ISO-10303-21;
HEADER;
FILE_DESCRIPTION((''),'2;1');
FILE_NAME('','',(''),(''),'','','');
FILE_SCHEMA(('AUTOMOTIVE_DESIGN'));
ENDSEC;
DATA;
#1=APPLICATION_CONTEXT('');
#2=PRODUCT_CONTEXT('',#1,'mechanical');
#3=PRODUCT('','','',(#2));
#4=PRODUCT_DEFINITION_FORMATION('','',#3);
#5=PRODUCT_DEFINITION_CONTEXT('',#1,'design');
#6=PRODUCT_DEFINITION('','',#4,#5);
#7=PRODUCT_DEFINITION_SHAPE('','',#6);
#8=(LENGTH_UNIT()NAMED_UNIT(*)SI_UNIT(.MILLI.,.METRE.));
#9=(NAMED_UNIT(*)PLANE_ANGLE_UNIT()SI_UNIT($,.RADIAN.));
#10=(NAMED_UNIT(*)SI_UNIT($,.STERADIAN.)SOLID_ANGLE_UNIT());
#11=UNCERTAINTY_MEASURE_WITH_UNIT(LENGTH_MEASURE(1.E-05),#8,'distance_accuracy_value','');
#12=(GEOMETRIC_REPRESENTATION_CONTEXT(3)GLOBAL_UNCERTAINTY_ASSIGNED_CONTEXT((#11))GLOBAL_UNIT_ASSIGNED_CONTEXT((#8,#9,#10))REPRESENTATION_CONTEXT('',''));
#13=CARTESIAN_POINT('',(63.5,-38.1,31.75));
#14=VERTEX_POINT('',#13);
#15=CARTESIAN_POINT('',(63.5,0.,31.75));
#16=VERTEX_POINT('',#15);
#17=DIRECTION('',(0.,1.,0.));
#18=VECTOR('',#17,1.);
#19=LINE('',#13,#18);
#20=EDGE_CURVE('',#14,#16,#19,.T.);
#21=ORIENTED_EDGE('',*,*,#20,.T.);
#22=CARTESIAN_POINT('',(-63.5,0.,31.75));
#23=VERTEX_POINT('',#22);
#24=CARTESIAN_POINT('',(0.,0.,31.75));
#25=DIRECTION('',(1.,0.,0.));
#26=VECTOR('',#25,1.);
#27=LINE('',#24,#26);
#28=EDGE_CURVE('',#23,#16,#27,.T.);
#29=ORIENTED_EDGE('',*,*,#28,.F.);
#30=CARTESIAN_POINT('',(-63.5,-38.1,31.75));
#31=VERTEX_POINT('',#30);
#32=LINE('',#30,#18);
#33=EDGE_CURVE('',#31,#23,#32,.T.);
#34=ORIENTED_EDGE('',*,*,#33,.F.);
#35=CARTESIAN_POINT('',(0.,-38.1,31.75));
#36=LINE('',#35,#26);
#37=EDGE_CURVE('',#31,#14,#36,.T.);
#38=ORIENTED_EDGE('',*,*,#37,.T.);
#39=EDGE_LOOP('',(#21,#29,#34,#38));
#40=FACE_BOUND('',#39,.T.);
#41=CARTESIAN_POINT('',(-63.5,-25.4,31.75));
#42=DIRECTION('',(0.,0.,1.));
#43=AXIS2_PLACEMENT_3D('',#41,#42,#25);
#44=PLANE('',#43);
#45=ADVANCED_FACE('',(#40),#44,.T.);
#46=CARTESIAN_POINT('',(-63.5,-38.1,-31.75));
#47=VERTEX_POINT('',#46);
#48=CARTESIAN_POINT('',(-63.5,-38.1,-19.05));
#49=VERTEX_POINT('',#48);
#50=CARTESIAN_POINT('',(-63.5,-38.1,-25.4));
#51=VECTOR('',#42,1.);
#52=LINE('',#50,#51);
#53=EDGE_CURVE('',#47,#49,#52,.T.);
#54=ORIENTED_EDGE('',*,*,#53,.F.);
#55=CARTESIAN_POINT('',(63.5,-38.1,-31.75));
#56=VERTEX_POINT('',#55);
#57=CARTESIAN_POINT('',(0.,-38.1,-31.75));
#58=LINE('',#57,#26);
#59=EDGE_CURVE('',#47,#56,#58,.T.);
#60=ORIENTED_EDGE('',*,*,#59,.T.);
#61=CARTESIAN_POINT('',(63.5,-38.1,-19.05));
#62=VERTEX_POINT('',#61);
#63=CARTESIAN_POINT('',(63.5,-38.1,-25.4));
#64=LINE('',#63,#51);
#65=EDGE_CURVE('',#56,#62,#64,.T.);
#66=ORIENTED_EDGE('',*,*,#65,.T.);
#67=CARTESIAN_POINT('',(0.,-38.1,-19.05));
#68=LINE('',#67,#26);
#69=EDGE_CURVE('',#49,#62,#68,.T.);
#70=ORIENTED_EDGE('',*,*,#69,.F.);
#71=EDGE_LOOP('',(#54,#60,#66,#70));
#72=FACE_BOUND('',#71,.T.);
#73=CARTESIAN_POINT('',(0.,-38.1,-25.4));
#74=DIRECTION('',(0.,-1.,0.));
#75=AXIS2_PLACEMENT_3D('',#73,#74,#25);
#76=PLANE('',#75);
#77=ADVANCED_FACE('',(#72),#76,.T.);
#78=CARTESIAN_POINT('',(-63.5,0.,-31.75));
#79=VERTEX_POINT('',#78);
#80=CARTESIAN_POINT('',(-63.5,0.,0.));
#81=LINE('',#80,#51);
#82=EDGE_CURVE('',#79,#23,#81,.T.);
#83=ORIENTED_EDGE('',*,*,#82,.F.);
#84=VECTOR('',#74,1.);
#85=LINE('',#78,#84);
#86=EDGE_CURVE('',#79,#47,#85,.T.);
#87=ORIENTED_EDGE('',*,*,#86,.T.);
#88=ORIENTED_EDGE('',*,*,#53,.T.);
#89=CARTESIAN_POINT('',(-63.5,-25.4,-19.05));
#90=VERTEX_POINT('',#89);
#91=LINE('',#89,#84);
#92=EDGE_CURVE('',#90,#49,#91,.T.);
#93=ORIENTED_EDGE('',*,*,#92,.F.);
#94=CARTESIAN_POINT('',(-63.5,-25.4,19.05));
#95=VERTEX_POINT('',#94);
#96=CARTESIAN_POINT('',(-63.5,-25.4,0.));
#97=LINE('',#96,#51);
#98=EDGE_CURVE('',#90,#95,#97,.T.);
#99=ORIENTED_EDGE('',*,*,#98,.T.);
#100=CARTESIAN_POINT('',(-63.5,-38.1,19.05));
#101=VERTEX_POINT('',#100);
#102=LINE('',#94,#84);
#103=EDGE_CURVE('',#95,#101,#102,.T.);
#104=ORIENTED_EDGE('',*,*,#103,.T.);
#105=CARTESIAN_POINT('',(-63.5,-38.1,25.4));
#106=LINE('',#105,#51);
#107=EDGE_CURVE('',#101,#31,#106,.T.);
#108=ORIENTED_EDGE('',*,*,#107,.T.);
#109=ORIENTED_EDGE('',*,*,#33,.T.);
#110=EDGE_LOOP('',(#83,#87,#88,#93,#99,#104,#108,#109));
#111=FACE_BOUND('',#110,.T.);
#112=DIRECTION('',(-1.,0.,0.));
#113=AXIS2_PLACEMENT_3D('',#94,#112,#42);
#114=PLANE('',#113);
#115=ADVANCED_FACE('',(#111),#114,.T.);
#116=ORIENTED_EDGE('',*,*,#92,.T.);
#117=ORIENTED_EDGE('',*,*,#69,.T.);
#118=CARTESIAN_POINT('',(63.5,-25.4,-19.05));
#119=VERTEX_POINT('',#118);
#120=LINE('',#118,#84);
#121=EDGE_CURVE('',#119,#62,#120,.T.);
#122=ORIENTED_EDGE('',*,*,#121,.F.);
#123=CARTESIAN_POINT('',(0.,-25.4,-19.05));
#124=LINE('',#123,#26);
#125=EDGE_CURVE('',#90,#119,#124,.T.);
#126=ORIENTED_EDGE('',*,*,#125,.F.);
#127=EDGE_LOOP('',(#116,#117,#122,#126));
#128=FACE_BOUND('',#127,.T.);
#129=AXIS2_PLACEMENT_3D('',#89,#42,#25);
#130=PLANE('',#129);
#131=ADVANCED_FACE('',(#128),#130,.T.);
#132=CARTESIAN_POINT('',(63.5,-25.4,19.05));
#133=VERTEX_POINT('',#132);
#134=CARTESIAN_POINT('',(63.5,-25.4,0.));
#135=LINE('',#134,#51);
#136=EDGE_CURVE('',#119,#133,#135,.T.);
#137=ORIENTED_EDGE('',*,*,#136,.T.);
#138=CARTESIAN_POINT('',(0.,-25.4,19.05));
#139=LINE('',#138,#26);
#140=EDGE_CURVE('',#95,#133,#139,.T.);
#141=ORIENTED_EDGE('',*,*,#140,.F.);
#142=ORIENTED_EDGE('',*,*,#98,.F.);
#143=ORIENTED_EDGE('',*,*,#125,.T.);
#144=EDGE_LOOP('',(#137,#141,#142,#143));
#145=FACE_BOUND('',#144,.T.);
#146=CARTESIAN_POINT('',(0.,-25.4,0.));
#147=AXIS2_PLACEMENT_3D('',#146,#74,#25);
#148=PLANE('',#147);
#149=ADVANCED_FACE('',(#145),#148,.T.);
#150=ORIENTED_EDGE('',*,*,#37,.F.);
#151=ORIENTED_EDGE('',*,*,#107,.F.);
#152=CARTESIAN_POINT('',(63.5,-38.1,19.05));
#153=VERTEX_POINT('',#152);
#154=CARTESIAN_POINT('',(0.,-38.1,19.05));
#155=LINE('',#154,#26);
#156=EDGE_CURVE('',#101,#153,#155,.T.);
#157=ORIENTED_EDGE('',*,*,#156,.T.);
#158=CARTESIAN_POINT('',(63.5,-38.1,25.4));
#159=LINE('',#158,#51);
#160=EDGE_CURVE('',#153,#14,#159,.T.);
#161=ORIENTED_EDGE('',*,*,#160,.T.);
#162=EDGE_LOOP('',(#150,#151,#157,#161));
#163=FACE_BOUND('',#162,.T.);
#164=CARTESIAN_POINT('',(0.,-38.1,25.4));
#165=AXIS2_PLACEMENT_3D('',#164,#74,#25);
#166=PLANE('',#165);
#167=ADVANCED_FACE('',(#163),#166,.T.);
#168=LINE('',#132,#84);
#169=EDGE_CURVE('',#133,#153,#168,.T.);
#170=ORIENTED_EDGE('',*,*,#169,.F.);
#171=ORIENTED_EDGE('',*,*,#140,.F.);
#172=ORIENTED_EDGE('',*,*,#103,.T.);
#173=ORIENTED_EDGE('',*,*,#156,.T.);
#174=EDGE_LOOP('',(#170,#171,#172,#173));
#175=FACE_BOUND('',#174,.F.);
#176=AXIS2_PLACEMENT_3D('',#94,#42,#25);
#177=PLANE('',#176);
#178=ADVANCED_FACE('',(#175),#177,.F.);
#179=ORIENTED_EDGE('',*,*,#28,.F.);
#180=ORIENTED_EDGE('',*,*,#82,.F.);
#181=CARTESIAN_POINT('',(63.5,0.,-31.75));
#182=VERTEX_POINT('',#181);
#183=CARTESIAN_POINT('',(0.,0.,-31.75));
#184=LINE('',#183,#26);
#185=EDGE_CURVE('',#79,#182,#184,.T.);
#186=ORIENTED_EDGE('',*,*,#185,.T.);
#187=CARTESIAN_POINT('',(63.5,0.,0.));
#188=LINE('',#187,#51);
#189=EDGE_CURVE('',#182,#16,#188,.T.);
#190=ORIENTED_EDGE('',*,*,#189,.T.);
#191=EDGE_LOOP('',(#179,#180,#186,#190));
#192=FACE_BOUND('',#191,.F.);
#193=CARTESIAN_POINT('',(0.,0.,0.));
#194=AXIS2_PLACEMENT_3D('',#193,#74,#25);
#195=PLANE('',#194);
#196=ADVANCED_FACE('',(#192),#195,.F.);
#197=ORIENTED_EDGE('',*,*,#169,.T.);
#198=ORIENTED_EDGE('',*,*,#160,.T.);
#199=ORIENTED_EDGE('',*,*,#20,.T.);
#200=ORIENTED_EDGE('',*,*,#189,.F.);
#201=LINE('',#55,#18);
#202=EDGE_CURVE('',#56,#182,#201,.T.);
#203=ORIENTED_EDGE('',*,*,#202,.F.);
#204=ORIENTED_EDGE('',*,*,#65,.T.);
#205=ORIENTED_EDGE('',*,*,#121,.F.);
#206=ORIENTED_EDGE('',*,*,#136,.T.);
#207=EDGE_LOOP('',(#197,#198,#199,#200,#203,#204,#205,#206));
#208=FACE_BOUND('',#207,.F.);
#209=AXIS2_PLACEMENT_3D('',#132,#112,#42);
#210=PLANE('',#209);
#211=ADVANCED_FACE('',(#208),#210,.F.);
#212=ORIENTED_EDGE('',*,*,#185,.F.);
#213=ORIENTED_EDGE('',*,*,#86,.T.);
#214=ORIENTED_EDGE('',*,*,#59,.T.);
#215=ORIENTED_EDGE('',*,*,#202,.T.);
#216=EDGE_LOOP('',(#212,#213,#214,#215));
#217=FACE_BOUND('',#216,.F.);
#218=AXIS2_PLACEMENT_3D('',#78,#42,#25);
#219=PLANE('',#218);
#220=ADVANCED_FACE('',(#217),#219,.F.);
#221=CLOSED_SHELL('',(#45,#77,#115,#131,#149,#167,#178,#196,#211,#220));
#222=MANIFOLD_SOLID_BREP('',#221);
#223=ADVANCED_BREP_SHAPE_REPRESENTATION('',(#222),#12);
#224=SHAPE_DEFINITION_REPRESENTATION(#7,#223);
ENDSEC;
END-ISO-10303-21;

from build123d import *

# Parameters (mm, degrees)
F0_W     = 127
F0_H     = 63.5
F1_DEPTH = 25.4
F2_W     = 127
F2_H     = 12.7
F3_DEPTH = 12.7


with BuildPart() as f1:
    # F0 (on Front) → F1 (new body)
    with BuildSketch(Plane.XZ):
        Rectangle(F0_W, F0_H)
    extrude(amount=F1_DEPTH)

    # F2 (on face) → F3 (join)
    with BuildSketch(Plane.XZ.offset(25.4)):
        with Locations((0, 25.4)):
            Rectangle(F2_W, F2_H)
        with Locations((0, -25.4)):
            Rectangle(F2_W, F2_H)
    extrude(amount=F3_DEPTH)


solid = f1.part
